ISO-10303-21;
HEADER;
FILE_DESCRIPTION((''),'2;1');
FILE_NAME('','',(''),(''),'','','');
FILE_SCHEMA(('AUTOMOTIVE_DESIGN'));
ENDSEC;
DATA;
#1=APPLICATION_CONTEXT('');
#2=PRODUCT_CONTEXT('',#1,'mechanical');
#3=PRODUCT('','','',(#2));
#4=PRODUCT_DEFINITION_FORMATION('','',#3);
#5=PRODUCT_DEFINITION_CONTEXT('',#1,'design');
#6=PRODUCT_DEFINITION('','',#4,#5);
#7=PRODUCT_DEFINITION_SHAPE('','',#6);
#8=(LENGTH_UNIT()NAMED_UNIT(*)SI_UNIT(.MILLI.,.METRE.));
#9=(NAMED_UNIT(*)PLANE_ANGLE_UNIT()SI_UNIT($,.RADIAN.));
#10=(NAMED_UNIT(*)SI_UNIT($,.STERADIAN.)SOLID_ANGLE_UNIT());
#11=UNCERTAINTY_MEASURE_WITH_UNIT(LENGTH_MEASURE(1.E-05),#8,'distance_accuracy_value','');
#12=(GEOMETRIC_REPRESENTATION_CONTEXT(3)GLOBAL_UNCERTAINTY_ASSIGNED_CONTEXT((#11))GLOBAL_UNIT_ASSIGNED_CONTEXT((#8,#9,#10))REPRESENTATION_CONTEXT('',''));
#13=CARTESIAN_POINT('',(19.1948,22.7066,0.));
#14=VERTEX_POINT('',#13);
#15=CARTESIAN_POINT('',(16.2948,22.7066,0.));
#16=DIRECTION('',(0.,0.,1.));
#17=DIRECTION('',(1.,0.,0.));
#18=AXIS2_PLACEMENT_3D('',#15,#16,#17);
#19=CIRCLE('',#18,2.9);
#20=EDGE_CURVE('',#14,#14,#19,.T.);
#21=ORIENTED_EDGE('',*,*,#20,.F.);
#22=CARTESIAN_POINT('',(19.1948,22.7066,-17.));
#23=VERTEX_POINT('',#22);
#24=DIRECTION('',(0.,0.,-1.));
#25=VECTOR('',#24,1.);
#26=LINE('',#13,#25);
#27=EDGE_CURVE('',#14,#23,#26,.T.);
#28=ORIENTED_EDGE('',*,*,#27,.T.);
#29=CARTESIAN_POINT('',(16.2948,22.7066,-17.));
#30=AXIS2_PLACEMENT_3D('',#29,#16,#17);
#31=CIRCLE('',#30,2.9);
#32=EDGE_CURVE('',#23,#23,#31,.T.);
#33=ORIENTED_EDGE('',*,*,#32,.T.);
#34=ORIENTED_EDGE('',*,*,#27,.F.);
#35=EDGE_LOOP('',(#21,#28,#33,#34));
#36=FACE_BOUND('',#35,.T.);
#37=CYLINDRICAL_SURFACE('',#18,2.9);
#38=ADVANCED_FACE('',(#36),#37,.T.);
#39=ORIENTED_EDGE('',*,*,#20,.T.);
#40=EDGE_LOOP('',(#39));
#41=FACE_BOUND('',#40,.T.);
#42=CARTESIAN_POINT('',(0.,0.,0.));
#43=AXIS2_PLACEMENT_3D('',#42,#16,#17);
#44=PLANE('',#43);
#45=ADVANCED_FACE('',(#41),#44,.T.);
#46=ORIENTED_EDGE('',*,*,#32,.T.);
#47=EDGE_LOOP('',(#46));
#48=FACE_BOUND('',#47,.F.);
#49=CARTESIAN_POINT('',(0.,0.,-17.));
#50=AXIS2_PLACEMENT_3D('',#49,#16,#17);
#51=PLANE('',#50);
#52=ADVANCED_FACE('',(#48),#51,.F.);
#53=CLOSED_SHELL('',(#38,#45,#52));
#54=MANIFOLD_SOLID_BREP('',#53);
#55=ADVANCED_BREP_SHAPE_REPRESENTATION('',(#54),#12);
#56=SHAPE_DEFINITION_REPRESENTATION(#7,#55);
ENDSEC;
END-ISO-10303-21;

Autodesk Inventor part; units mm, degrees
ref_plane "YZ Plane" through (0, 0, 0) normal (1, 0, 0) x (0, 1, 0)
ref_plane "XZ Plane" through (0, 0, 0) normal (0, 1, 0) x (-1, 0, 0)
ref_plane "XY Plane" through (0, 0, 0) normal (0, 0, 1) x (1, 0, 0)
sketch "Sketch1" plane through (0, 0, 0) normal (0, 0, 1) x (1, 0, 0)
  circle A0 centre (16.2948, 22.7066) radius 2.9
  point P0 (0, 0)
  dimension "d0" = 5.8
extrude "Extrusion1" add sketch "Sketch1" against normal blind 17
thread "Thread1" size "M6x1" class "6g" standard "ANSI Metric M Profile" length 43.6
properties part number "Mounting Depan"
